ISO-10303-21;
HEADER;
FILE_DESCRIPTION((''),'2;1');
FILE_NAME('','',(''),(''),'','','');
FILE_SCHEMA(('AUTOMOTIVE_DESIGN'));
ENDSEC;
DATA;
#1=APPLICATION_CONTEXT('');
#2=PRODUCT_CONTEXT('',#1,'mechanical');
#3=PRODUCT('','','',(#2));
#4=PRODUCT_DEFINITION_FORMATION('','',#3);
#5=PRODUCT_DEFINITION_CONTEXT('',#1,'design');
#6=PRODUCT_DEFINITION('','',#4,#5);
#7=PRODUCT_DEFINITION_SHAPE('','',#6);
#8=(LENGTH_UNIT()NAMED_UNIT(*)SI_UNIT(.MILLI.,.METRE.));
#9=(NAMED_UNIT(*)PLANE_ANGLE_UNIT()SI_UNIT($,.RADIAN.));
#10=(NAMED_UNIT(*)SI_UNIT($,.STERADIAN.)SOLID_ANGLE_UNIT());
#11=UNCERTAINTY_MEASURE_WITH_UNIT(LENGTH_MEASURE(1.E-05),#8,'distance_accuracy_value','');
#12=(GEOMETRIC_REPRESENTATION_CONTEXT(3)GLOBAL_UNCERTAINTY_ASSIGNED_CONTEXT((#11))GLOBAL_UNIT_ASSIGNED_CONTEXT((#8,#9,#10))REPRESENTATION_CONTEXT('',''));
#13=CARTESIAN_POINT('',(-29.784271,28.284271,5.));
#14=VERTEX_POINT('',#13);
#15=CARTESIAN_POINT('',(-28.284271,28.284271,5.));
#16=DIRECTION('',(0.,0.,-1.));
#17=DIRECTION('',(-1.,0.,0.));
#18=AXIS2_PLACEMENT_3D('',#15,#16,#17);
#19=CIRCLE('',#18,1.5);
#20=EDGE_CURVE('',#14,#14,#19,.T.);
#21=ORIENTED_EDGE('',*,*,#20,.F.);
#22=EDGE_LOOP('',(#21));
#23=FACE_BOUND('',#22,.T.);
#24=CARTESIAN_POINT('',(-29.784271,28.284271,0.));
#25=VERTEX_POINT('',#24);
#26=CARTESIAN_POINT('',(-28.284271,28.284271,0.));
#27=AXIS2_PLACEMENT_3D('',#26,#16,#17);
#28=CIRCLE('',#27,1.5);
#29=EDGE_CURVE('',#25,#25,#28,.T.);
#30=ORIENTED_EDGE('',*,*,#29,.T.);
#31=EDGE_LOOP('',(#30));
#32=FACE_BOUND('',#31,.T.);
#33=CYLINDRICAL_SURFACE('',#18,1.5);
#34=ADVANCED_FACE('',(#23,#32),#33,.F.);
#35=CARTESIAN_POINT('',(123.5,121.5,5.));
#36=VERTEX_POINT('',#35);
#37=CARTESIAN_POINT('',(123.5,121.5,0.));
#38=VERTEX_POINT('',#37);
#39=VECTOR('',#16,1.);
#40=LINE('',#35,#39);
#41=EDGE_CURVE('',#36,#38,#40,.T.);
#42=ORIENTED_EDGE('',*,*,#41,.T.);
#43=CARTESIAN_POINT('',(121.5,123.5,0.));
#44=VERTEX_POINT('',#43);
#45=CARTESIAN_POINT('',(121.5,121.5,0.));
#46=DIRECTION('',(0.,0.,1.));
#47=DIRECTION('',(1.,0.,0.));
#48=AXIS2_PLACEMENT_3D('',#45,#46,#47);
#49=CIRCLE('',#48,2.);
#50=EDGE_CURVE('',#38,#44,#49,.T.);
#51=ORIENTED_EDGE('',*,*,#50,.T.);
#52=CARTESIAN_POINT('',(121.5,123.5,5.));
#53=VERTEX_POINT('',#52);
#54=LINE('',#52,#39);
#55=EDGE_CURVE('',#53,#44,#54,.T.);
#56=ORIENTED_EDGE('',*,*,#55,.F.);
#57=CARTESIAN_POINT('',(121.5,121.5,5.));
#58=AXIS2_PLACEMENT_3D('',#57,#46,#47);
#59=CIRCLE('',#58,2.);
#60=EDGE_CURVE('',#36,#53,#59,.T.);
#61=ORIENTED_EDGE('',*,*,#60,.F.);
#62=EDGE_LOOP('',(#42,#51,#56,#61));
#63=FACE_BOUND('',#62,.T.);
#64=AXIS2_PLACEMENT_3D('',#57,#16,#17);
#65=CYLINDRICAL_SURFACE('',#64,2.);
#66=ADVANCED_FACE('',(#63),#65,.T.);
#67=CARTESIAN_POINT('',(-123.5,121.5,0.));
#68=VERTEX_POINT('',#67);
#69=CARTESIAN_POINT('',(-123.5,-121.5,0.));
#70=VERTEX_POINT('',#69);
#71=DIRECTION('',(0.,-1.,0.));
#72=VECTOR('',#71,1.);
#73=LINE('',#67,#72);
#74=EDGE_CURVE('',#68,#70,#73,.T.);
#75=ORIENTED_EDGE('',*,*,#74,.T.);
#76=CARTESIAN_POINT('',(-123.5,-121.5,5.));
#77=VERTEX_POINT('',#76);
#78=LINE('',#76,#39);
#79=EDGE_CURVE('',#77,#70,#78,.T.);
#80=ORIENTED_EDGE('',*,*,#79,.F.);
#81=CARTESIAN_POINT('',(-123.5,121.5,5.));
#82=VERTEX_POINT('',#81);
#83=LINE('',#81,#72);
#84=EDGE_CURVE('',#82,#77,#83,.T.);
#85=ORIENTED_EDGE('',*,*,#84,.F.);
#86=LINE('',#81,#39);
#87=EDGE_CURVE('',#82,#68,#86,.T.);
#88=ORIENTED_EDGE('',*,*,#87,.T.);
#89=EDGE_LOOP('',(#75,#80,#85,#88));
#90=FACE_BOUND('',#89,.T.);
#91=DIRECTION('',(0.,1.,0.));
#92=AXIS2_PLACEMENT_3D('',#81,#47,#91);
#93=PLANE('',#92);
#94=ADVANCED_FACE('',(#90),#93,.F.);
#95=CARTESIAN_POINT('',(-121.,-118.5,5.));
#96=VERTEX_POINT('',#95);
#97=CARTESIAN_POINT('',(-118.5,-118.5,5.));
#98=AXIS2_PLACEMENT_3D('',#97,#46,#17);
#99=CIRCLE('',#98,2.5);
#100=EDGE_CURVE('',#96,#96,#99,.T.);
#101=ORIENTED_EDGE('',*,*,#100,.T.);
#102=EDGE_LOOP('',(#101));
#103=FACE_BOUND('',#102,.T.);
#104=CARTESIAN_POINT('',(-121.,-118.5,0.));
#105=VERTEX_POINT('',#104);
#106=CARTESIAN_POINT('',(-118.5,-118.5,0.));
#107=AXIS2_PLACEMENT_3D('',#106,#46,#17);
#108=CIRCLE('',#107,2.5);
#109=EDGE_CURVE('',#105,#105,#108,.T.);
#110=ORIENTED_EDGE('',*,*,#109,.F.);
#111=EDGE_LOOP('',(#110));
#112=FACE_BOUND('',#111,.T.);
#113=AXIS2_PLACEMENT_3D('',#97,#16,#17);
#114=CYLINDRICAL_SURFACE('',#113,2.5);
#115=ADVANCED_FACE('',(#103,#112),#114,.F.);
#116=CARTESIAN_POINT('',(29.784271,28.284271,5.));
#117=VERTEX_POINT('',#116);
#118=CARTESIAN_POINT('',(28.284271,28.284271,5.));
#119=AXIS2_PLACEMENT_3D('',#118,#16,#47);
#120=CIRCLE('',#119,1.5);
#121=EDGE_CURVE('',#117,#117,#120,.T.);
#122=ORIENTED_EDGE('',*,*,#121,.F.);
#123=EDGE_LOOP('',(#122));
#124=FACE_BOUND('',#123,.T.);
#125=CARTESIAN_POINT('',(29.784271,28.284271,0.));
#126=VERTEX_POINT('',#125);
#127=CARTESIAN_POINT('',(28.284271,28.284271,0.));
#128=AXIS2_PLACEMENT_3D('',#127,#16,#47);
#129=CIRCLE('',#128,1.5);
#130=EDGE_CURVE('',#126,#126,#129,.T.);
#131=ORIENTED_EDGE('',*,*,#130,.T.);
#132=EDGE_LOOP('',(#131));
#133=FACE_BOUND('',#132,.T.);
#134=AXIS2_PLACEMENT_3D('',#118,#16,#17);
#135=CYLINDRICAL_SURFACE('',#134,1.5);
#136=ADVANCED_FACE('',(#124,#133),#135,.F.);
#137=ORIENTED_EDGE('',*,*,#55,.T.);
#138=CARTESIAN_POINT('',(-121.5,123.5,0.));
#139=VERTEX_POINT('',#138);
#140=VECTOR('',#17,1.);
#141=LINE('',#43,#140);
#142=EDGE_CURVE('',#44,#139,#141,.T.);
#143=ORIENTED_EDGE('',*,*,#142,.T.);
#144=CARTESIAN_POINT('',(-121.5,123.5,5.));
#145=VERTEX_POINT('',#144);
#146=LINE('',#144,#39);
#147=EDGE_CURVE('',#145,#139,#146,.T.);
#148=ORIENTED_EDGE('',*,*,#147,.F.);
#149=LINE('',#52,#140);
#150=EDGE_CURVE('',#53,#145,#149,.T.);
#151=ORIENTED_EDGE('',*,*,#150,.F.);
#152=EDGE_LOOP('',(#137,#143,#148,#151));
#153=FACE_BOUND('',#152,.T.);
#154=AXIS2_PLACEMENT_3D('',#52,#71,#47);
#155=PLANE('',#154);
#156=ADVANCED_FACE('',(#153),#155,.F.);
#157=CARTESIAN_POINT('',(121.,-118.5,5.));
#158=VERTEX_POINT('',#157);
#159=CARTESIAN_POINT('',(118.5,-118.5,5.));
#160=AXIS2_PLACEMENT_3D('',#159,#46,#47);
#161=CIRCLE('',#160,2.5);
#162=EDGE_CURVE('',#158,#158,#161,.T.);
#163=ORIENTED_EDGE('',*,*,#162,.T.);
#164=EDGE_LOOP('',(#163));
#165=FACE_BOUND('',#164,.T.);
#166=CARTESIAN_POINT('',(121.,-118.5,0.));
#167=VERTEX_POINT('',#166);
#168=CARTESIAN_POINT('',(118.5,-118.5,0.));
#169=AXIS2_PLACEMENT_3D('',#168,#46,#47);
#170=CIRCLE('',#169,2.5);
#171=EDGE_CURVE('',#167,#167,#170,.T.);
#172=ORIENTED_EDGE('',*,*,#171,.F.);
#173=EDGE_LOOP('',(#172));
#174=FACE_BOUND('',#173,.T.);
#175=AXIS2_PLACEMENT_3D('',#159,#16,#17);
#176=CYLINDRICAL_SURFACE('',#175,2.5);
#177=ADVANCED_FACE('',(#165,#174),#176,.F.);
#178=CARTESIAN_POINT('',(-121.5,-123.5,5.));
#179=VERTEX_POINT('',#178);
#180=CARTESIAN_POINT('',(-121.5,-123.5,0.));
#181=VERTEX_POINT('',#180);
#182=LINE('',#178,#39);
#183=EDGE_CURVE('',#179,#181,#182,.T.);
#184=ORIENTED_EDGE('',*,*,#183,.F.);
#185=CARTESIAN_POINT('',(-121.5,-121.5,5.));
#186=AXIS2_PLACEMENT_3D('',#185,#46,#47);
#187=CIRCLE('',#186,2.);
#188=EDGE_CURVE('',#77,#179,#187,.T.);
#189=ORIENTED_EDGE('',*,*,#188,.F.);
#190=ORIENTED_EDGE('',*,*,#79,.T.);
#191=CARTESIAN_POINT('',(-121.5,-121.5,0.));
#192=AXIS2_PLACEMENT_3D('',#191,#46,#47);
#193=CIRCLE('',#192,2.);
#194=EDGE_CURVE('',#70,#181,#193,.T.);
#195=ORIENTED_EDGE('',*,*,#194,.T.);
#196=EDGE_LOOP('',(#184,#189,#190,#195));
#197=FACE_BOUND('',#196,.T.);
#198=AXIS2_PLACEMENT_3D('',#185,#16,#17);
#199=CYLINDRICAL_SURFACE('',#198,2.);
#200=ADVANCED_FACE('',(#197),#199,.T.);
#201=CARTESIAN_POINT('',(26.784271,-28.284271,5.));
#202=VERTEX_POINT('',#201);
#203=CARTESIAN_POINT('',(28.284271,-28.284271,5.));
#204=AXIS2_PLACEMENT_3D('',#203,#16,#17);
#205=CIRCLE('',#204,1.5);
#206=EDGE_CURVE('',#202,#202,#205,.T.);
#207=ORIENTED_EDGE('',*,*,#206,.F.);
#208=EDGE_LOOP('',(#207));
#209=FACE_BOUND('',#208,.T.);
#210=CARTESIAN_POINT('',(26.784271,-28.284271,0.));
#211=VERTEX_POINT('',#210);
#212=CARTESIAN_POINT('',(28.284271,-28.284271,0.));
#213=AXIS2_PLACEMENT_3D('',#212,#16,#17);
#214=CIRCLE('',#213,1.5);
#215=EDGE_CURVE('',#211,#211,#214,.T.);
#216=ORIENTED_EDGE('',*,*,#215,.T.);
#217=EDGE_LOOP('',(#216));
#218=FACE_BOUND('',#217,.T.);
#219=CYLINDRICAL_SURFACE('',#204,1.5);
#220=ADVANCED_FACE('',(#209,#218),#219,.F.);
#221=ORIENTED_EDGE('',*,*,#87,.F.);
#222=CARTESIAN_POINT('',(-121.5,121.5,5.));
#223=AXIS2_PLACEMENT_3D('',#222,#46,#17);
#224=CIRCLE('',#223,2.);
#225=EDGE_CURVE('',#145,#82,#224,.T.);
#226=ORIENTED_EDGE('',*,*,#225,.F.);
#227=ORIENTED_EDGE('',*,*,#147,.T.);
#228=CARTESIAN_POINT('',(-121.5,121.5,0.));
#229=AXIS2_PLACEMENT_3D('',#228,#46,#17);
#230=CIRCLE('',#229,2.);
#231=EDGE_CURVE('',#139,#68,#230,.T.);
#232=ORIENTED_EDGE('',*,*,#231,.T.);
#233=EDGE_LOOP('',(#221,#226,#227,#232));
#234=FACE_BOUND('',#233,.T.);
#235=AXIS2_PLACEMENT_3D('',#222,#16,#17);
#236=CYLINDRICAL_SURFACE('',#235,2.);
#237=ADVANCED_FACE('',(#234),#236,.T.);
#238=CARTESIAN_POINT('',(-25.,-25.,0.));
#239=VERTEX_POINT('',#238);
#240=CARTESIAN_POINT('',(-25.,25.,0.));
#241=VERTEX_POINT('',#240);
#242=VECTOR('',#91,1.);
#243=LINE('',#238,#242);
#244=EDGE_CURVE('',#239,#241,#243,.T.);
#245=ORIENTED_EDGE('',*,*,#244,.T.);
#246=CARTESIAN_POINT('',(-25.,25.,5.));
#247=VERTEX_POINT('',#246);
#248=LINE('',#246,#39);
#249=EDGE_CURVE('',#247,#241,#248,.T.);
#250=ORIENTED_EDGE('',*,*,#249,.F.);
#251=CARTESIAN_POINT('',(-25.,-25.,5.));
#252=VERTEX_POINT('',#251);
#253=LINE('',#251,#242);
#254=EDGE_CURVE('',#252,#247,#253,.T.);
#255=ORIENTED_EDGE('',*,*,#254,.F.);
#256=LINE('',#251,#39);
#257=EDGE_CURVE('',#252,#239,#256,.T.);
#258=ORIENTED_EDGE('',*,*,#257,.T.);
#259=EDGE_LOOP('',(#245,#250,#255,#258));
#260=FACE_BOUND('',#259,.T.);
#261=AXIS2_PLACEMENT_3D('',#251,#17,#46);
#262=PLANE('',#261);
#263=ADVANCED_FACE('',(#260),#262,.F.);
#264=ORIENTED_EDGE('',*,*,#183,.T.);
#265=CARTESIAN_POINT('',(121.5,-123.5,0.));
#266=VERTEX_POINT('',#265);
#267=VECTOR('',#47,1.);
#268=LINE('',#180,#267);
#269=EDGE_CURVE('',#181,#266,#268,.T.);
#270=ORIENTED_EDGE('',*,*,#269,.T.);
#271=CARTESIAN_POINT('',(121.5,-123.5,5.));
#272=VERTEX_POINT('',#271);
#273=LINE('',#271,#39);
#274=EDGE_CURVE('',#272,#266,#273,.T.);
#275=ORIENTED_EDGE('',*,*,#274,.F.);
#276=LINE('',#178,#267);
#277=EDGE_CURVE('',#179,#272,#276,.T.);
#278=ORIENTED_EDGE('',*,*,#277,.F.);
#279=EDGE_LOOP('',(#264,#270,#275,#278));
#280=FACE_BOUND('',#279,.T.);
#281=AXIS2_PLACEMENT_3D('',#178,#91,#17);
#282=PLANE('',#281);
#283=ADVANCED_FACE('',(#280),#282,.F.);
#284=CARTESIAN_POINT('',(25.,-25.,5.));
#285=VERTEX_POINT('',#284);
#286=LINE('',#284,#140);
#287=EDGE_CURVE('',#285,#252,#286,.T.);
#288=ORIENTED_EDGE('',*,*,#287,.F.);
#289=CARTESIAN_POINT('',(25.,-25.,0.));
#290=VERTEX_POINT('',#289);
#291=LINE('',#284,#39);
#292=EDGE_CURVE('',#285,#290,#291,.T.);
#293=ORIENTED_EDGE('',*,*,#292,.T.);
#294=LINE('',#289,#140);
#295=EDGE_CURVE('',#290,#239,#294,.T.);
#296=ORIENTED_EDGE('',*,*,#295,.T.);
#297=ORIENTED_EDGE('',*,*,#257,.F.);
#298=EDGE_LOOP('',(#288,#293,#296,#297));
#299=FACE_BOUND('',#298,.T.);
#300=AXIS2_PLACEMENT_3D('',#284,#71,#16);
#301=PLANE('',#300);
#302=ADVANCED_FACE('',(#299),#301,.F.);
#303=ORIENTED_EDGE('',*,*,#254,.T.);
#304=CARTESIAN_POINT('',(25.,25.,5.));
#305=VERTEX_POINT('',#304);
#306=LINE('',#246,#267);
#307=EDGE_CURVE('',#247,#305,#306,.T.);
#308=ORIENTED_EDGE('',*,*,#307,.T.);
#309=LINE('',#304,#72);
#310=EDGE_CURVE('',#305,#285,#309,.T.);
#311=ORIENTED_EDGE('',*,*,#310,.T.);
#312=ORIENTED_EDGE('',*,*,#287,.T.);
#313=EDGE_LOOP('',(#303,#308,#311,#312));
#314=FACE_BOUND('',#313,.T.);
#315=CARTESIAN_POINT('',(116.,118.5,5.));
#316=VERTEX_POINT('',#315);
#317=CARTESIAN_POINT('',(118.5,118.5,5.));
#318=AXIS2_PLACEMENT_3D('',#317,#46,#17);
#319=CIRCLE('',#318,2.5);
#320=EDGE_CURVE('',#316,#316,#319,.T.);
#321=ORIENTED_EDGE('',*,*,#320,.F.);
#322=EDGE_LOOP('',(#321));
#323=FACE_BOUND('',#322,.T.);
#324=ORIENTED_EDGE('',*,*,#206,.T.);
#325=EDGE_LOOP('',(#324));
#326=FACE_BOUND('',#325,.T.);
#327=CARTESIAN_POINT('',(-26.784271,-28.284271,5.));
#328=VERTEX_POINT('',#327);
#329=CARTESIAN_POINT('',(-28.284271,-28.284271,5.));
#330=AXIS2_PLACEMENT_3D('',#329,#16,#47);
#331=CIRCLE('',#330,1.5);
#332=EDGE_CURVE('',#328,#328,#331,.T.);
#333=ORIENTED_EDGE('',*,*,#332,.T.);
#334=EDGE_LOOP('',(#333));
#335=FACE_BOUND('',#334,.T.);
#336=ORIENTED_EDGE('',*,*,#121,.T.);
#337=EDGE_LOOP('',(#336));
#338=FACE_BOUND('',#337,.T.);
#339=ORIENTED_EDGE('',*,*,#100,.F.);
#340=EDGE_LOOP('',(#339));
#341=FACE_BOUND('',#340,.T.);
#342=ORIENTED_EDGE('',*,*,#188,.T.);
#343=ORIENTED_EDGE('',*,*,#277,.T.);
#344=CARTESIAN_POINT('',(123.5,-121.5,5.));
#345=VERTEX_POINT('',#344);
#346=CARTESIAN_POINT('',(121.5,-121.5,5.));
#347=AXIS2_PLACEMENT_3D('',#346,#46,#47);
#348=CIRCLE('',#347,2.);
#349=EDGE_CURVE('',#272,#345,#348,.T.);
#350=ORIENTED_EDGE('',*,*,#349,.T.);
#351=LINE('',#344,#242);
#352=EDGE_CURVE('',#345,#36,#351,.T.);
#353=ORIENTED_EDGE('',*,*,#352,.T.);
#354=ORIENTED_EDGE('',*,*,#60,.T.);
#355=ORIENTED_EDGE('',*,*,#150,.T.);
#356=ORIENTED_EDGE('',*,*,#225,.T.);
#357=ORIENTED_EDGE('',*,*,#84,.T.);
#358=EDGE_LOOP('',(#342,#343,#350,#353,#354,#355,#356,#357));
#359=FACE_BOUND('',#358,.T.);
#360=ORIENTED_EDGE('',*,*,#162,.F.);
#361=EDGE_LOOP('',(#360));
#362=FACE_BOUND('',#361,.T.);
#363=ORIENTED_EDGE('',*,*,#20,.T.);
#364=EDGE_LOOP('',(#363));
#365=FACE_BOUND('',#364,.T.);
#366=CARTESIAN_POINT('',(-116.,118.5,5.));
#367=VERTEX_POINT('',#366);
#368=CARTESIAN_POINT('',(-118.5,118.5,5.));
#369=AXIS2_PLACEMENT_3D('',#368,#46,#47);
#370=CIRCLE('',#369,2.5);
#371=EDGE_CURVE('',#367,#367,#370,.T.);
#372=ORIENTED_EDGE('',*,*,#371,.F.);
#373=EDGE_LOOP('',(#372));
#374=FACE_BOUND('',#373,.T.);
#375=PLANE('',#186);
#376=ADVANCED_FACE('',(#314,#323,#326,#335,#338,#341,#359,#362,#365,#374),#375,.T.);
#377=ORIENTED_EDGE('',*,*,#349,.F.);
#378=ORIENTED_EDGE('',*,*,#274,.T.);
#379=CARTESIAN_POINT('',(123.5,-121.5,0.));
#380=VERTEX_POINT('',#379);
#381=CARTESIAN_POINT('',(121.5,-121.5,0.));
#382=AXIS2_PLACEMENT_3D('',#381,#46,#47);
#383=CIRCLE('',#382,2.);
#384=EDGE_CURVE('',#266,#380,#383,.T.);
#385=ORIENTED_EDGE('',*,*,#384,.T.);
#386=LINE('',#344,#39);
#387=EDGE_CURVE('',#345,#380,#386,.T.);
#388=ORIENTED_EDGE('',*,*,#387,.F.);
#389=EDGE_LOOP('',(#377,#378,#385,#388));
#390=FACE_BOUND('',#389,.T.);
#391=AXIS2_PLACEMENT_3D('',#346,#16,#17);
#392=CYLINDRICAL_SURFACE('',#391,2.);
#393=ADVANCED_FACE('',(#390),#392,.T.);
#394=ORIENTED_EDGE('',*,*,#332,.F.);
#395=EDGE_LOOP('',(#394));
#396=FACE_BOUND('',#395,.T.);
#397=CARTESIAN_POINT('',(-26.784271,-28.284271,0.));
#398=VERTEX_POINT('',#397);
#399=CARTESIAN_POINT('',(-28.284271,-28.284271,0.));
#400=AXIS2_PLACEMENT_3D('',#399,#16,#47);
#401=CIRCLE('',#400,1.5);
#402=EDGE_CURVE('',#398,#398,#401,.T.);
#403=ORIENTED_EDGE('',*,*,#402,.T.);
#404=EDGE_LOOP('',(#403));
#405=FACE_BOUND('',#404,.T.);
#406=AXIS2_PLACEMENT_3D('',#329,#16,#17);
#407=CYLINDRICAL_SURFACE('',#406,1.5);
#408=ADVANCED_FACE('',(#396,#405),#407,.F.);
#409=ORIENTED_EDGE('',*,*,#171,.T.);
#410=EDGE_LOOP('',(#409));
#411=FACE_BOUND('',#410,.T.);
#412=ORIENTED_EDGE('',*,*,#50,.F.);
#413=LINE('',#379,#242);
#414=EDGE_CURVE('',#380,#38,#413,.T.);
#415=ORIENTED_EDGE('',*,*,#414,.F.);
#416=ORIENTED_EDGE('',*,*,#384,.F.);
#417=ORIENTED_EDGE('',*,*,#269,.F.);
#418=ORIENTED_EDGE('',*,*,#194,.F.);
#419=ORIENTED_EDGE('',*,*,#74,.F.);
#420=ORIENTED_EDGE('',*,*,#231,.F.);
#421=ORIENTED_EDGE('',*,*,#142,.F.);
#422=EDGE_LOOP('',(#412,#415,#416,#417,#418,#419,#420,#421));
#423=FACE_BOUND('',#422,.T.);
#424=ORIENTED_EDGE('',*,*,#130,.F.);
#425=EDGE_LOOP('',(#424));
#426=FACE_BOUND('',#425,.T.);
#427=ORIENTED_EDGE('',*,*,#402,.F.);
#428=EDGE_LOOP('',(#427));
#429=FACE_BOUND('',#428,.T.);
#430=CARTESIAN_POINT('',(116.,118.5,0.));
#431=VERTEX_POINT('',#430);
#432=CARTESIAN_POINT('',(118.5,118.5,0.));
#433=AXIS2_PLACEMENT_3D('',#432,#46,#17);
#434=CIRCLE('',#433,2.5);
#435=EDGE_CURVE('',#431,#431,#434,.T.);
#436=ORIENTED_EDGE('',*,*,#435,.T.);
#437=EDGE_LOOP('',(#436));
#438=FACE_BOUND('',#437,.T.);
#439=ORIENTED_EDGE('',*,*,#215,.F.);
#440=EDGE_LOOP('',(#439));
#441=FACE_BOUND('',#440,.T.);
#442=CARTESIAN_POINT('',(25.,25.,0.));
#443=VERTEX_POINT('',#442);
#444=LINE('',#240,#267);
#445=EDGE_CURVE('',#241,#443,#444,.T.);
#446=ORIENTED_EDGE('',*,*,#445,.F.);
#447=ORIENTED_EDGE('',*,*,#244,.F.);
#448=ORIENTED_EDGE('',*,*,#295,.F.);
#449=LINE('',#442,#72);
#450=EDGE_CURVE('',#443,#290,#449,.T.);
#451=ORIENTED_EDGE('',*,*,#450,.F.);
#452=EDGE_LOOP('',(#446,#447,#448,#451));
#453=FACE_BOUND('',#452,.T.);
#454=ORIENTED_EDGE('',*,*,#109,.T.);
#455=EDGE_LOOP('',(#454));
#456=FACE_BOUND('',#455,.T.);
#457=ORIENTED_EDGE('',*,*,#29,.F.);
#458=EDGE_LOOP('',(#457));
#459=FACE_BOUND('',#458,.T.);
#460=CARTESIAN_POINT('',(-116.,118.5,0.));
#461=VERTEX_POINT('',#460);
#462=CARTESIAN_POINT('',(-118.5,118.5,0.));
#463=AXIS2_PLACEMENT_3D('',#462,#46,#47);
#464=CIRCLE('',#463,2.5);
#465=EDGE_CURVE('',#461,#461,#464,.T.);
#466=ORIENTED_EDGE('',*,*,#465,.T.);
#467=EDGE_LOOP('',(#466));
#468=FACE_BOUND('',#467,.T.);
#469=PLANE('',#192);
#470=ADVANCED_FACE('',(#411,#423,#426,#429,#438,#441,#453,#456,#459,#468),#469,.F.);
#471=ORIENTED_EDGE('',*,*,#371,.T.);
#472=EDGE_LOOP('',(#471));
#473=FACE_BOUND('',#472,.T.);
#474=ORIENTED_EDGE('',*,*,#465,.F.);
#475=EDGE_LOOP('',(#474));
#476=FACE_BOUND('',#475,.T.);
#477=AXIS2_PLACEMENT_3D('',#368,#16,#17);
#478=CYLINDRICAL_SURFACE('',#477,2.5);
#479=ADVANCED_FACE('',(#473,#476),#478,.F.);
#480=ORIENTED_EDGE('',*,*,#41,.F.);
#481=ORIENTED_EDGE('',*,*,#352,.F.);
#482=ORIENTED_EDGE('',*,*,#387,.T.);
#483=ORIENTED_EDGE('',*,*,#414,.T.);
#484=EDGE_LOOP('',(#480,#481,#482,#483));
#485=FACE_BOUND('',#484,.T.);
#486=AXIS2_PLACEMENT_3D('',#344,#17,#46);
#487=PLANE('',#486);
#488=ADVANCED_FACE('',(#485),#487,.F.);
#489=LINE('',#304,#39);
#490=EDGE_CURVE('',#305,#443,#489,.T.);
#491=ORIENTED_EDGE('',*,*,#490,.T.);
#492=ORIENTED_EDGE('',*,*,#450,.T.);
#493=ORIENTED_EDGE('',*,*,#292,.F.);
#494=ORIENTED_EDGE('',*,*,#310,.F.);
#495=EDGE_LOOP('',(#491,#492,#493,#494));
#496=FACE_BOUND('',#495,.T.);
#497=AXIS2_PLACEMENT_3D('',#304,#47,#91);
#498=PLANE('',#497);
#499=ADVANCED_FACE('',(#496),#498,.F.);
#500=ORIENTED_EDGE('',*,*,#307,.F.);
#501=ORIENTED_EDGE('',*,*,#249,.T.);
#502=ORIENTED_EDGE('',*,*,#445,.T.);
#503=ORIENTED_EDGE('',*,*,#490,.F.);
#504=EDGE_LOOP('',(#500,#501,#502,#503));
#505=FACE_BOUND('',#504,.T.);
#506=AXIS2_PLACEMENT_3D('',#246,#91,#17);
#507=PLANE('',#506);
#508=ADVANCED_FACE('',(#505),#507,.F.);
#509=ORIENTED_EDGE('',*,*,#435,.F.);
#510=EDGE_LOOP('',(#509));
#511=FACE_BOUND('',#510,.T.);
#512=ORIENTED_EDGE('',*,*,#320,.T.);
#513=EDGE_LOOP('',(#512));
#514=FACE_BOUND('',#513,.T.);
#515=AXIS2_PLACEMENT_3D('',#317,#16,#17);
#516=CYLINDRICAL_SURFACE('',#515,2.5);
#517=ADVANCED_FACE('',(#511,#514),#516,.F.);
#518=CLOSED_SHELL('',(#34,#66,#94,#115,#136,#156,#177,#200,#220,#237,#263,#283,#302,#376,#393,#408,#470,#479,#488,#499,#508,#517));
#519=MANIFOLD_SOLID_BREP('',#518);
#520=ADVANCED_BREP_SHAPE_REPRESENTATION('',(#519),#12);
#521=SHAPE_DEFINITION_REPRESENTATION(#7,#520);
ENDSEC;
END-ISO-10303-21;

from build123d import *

# Parameters (mm, degrees)
SKETCH1_R           = 2.5
BOSS_EXTRUDE1_DEPTH = 5
SKETCH2_R           = 1.5
SKETCH2_W           = 50
SKETCH2_H           = 50
CUT_EXTRUDE1_DEPTH  = 5


with BuildPart() as part:
    # Sketch1 → Boss-Extrude1 (new body)
    with BuildSketch(Plane.XY):
        with BuildLine():
            Line((-123.5, 121.5), (-123.5, -121.5))
            ThreePointArc((-123.5, -121.5), (-122.914213562, -122.914213562), (-121.5, -123.5))
            Line((-121.5, -123.5), (121.5, -123.5))
            ThreePointArc((121.5, -123.5), (122.914213562, -122.914213562), (123.5, -121.5))
            Line((123.5, -121.5), (123.5, 121.5))
            ThreePointArc((123.5, 121.5), (122.914213562, 122.914213562), (121.5, 123.5))
            Line((121.5, 123.5), (-121.5, 123.5))
            ThreePointArc((-121.5, 123.5), (-122.914213562, 122.914213562), (-123.5, 121.5))
        make_face()
        with Locations((-118.5, 118.5)):
            Circle(SKETCH1_R, mode=Mode.SUBTRACT)
        with Locations((118.5, 118.5)):
            Circle(SKETCH1_R, mode=Mode.SUBTRACT)
        with Locations((118.5, -118.5)):
            Circle(SKETCH1_R, mode=Mode.SUBTRACT)
        with Locations((-118.5, -118.5)):
            Circle(SKETCH1_R, mode=Mode.SUBTRACT)
    extrude(amount=BOSS_EXTRUDE1_DEPTH)

    # Sketch2 → Cut-Extrude1 (cut)
    with BuildSketch(Plane(origin=(0, 0, 0), x_dir=(-1, 0, 0), z_dir=(0, 0, -1))):
        with Locations((28.284271247, 28.284271247)):
            Circle(SKETCH2_R)
        with Locations((28.284271247, -28.284271247)):
            Circle(SKETCH2_R)
        with Locations((-28.284271247, -28.284271247)):
            Circle(SKETCH2_R)
        with Locations((-28.284271247, 28.284271247)):
            Circle(SKETCH2_R)
        Rectangle(SKETCH2_W, SKETCH2_H)
    extrude(amount=-CUT_EXTRUDE1_DEPTH, mode=Mode.SUBTRACT)


solid = part.part
